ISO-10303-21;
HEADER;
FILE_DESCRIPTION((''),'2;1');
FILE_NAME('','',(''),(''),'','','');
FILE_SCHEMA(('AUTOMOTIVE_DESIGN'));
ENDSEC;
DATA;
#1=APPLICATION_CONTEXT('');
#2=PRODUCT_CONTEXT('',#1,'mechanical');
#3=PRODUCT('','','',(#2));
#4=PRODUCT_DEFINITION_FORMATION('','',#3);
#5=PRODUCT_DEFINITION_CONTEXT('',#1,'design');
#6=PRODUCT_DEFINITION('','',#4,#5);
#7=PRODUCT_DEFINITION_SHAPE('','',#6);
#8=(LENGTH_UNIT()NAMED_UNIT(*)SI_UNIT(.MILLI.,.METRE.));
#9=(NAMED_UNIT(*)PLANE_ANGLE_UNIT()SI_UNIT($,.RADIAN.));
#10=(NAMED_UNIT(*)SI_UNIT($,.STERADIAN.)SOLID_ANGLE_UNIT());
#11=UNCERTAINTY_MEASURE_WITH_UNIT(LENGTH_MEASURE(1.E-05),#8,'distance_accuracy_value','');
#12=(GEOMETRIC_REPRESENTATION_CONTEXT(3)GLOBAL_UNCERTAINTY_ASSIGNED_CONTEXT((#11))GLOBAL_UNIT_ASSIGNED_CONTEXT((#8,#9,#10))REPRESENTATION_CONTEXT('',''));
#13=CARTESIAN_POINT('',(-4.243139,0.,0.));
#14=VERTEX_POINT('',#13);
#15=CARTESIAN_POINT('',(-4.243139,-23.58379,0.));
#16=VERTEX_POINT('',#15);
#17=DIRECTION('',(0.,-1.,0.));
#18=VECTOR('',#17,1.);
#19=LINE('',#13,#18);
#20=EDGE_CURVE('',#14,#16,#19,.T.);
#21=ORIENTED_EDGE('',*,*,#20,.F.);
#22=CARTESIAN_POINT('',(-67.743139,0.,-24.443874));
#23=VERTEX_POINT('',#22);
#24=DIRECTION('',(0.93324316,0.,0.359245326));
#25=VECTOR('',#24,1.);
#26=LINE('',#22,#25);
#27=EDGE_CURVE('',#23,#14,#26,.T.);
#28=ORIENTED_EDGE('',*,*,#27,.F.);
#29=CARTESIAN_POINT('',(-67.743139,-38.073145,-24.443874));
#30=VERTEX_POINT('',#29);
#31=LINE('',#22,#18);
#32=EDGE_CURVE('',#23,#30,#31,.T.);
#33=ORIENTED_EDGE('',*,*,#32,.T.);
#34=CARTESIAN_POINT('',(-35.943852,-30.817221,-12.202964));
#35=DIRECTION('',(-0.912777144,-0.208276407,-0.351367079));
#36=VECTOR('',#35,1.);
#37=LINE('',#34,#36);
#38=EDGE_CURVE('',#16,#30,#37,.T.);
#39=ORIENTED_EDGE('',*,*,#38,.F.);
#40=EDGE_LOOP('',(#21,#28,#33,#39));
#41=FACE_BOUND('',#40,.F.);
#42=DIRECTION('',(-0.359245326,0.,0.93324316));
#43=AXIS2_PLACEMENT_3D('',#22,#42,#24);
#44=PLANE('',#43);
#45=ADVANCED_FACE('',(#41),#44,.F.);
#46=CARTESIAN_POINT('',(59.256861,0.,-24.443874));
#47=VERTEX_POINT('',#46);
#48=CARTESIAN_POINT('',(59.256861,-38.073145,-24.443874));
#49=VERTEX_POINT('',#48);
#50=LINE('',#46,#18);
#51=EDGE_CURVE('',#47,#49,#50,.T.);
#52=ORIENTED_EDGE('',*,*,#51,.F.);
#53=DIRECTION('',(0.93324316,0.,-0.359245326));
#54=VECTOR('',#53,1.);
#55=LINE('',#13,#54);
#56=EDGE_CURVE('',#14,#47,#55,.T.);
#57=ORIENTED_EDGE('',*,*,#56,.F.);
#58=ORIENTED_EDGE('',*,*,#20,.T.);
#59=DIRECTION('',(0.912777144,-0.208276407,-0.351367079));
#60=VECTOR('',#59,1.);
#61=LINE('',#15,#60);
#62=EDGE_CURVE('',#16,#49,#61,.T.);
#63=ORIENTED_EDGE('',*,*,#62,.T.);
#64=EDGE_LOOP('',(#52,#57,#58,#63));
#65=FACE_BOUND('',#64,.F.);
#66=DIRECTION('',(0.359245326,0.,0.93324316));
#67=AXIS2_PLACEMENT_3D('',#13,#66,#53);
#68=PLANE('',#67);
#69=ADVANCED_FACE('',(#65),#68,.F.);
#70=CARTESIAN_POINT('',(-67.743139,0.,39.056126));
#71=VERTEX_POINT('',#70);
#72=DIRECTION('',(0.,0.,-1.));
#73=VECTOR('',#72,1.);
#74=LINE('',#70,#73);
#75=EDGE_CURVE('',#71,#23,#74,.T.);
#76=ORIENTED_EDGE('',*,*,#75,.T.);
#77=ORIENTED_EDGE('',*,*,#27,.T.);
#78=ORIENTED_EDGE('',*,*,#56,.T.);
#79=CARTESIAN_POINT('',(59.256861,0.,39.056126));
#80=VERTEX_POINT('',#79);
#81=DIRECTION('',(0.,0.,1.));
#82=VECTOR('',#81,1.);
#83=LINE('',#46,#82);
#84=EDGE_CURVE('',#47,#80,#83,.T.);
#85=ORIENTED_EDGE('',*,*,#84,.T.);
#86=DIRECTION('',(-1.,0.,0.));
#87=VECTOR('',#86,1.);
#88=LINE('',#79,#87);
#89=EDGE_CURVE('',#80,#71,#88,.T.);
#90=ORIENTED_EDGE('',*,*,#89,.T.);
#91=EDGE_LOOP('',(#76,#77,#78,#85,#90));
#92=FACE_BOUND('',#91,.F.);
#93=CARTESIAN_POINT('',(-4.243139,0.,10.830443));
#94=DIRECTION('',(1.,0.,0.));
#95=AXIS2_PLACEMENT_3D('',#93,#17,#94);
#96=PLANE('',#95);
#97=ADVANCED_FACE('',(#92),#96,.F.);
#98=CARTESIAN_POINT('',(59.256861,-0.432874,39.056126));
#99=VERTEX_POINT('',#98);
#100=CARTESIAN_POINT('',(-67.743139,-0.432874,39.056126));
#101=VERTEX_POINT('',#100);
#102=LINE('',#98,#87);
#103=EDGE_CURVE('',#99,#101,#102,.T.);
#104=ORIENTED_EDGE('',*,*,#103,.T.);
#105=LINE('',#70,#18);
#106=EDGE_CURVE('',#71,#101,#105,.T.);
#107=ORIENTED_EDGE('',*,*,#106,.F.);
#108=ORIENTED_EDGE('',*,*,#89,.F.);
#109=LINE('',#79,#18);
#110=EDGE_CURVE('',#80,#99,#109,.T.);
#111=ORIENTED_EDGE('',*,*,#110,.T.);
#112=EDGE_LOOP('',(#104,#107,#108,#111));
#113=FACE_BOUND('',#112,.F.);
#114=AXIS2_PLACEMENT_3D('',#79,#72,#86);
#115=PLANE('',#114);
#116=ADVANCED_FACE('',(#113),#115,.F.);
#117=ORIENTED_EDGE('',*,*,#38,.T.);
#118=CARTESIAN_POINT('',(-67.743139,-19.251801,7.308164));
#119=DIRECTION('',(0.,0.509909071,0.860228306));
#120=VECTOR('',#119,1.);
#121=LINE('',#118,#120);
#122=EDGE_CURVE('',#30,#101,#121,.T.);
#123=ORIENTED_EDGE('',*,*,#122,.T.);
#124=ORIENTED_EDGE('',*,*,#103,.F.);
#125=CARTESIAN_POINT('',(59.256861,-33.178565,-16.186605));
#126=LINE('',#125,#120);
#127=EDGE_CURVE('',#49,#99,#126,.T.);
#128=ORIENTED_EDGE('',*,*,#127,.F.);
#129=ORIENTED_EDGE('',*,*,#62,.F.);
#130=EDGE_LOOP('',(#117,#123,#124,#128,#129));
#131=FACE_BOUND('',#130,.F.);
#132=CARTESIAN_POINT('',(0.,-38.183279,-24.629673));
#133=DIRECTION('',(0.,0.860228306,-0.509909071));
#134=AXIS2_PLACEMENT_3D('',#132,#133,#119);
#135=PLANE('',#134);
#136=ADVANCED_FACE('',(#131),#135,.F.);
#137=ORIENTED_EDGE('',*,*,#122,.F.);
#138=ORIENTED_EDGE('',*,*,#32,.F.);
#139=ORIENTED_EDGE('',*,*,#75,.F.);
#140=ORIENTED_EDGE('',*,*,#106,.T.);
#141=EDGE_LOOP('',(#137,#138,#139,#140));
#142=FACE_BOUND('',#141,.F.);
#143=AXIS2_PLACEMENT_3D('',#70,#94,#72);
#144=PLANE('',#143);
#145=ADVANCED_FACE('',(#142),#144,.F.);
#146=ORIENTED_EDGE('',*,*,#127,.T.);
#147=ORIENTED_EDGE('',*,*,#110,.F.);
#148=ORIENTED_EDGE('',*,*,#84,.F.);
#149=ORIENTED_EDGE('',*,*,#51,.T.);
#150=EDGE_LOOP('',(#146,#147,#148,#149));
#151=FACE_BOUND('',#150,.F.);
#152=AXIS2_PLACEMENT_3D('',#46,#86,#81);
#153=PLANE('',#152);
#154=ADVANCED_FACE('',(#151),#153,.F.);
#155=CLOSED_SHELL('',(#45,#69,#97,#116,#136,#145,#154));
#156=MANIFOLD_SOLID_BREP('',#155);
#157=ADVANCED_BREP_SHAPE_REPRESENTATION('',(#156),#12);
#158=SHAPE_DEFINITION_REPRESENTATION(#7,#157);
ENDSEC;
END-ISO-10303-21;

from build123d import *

# Parameters (mm, degrees)
F1_DEPTH      = 38.1
F3_DEPTH      = 208.534
F3_DEPTH_BACK = 250.19


with BuildPart() as f1:
    # F0 (on Front) → F1 (new body)
    with BuildSketch(Plane.XZ):
        Polygon((-4.243139, 39.056126), (-67.743139, 39.056126), (-67.743139, -24.443874), (-4.243139, 0), (59.256861, -24.443874), (59.256861, 39.056126), align=None)
    extrude(amount=F1_DEPTH)

    # F2 (on Right) → F3 (cut, two sides)
    with BuildSketch(Plane.YZ) as f3_sk:
        Polygon((0, 39.786395), (-38.183279, 39.786395), (-38.183279, -24.629673), align=None)
    extrude(amount=F3_DEPTH, mode=Mode.SUBTRACT)
    extrude(f3_sk.sketch, amount=-F3_DEPTH_BACK, mode=Mode.SUBTRACT)


solid = f1.part
